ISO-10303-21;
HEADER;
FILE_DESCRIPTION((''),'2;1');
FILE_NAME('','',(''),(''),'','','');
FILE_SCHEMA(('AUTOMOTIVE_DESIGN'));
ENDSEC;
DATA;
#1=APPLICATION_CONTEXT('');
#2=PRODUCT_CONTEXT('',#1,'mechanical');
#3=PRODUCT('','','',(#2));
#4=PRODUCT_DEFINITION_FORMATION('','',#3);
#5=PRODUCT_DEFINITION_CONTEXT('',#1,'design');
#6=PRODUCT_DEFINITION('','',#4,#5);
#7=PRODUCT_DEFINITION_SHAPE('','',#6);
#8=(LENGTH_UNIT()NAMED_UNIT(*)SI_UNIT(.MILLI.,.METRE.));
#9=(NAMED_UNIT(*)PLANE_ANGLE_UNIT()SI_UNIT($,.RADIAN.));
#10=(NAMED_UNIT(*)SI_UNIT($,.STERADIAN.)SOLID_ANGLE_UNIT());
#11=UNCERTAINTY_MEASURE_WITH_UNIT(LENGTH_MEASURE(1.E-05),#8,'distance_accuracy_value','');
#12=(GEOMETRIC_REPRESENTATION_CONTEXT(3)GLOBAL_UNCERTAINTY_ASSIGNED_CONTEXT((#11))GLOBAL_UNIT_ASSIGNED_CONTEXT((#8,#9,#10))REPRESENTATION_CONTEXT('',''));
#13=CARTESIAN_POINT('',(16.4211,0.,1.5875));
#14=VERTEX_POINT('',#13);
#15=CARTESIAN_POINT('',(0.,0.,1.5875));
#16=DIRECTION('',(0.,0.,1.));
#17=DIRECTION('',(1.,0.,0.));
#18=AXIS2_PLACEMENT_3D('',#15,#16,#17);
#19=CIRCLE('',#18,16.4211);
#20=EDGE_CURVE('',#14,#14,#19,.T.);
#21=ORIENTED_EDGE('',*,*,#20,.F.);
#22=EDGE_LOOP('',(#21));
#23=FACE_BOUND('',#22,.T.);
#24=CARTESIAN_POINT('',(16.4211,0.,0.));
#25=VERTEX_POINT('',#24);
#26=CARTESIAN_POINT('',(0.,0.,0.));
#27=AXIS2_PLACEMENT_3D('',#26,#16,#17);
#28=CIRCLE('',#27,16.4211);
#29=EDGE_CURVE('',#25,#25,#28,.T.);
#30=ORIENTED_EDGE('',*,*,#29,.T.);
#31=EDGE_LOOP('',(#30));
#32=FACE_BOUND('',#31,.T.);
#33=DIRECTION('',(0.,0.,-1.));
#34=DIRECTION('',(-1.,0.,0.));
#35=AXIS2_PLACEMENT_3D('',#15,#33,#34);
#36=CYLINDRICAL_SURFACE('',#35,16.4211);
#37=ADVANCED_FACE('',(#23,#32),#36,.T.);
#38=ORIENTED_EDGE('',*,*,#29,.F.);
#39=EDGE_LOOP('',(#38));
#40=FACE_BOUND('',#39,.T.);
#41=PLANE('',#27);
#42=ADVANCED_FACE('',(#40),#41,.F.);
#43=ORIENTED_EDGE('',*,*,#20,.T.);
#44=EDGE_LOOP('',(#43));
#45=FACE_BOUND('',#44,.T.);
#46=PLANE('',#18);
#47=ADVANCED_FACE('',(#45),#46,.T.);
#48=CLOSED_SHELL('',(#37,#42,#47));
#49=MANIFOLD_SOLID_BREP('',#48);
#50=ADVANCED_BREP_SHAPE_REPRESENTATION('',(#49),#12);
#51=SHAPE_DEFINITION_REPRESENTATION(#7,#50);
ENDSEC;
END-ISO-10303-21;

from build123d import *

# Parameters (mm, degrees)
SKETCH1_R           = 16.4211
BOSS_EXTRUDE1_DEPTH = 1.5875


with BuildPart() as part:
    # Sketch1 → Boss-Extrude1 (new body)
    with BuildSketch(Plane.XY):
        Circle(SKETCH1_R)
    extrude(amount=BOSS_EXTRUDE1_DEPTH)


solid = part.part
